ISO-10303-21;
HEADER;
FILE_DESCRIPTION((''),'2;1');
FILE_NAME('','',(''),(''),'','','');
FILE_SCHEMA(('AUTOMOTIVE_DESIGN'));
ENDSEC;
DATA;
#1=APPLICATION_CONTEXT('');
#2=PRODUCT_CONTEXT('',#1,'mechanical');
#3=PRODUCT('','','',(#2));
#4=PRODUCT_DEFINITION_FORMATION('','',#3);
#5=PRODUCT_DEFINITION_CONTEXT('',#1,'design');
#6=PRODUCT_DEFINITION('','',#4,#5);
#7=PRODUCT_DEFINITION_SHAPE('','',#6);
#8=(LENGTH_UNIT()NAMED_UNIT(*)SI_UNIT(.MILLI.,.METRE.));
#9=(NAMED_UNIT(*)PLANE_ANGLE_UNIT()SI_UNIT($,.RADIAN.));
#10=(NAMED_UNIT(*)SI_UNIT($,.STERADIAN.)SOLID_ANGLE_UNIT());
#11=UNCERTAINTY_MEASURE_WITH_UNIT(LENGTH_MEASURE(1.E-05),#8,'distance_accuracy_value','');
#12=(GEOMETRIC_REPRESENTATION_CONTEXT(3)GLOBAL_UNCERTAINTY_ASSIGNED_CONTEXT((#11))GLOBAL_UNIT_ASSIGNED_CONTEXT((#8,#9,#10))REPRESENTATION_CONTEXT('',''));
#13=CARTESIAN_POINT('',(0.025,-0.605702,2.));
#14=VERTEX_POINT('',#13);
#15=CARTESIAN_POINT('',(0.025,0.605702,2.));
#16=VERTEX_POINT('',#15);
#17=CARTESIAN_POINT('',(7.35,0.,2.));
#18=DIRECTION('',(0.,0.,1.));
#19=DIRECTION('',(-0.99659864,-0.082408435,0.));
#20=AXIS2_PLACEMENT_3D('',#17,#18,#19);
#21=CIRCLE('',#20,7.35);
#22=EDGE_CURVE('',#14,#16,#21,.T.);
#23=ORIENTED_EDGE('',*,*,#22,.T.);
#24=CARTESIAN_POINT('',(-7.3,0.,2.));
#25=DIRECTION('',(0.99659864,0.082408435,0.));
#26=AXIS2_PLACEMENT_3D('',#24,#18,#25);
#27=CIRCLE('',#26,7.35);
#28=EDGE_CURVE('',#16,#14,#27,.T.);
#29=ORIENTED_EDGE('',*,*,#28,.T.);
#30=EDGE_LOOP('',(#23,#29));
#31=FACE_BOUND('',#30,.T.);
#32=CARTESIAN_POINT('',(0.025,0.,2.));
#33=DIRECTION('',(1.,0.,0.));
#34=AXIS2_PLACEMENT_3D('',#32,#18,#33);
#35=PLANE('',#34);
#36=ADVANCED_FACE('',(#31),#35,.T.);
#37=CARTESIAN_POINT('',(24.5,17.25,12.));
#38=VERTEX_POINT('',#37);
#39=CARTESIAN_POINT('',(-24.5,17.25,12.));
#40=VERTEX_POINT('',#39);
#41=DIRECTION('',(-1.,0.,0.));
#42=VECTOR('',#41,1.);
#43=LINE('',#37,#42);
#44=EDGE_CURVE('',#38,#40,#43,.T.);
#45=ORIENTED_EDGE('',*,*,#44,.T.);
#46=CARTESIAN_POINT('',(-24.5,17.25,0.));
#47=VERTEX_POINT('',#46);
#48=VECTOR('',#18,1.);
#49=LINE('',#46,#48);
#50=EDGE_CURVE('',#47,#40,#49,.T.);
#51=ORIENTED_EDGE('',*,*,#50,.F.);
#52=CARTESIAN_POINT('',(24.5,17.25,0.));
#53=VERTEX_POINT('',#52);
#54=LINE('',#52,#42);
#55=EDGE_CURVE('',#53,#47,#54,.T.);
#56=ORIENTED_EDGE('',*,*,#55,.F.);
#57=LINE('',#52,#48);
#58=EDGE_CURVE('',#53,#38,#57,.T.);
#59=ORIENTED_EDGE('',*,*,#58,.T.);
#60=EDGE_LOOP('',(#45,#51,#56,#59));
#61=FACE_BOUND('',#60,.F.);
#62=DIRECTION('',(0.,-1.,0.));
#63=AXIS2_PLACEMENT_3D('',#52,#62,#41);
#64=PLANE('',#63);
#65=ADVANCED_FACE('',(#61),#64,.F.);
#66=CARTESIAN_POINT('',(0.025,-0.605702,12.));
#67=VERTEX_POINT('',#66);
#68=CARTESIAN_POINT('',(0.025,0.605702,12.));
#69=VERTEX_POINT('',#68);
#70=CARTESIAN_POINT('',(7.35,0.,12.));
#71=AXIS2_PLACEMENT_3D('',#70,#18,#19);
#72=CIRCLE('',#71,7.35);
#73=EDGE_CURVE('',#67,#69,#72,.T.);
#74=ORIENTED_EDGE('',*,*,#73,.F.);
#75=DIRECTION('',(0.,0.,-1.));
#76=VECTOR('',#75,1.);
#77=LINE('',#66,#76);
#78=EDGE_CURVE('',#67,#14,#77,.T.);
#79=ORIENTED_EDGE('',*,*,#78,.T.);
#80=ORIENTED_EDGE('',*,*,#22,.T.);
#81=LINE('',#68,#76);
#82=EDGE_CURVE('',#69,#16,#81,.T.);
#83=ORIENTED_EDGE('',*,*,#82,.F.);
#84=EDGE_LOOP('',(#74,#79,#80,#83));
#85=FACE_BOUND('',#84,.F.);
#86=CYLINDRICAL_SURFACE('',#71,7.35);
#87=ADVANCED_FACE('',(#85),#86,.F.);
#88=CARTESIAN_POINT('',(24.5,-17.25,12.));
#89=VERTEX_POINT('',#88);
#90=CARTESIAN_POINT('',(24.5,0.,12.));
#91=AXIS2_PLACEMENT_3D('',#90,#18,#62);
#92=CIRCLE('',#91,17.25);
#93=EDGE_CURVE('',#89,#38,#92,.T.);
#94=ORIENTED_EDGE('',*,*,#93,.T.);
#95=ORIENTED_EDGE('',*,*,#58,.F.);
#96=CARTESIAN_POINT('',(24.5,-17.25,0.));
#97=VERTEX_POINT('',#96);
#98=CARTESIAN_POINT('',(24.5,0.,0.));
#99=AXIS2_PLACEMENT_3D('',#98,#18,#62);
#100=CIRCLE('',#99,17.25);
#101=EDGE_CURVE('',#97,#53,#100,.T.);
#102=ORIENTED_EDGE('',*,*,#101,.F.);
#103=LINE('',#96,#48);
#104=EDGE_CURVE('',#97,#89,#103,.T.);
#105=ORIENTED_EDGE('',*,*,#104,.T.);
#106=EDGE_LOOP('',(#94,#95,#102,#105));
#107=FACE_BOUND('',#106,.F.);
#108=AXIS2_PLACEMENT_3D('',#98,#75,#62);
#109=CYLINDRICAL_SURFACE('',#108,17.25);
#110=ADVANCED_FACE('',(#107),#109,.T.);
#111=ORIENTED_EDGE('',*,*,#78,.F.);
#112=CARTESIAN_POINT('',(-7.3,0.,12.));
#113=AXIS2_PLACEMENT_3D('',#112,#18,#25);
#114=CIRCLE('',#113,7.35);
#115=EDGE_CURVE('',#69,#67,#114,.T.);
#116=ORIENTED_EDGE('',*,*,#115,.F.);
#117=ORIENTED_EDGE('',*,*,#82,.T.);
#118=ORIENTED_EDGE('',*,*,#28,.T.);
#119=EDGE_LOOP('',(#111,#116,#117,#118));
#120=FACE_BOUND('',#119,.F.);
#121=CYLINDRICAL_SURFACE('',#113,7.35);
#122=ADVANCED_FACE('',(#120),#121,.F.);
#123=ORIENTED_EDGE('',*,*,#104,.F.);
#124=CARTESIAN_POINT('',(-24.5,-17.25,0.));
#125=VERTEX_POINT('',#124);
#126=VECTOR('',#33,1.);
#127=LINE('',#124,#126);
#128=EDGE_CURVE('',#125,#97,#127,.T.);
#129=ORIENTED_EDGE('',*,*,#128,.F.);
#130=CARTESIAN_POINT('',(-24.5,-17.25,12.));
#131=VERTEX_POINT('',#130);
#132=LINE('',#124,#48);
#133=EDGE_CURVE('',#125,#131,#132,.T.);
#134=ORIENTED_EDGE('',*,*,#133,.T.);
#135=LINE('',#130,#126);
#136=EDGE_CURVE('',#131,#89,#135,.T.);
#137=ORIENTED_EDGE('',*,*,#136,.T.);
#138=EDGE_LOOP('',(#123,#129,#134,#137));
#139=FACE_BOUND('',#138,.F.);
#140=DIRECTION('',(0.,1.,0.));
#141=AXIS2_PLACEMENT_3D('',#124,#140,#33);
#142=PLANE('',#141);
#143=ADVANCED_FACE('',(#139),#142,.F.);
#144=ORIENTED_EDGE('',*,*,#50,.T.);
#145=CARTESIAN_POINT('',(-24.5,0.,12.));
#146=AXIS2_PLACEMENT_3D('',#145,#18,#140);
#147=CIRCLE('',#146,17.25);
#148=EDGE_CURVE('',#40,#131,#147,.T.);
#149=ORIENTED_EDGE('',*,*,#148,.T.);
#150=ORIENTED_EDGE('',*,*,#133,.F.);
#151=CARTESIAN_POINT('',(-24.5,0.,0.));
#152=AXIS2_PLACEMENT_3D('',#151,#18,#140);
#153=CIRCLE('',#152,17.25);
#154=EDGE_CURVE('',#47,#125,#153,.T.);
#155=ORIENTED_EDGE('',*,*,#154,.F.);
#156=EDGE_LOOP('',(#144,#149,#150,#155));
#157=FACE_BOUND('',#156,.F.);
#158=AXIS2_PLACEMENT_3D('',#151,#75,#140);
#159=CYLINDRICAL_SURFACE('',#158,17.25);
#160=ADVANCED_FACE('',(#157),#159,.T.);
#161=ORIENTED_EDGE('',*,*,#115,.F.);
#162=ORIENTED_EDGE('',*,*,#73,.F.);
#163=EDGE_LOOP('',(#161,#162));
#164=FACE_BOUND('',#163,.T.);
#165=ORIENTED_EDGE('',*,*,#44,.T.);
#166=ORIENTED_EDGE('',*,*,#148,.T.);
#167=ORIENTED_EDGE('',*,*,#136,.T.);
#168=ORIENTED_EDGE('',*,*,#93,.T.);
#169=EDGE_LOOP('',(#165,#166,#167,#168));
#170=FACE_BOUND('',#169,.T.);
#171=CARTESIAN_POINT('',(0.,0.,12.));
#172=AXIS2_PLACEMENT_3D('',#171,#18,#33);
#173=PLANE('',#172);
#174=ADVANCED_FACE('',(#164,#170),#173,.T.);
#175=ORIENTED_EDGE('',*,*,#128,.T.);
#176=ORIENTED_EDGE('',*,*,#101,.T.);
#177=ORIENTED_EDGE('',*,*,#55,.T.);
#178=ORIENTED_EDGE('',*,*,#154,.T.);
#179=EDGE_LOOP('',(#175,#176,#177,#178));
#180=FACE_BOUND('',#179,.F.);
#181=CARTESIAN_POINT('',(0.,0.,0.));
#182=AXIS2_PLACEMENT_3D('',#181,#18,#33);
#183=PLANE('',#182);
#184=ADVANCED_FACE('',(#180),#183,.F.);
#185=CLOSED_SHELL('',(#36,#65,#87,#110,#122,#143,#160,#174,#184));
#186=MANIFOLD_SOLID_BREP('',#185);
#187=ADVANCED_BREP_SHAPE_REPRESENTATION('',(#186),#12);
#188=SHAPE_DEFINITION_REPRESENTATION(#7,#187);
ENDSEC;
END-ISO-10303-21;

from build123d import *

# Parameters (mm, degrees)
F1_DEPTH = 12
F3_DEPTH = 10


with BuildPart() as f1:
    # F0 (on Top) → F1 (new body)
    with BuildSketch(Plane.XY):
        with BuildLine():
            Line((24.5, 17.25), (-24.5, 17.25))
            ThreePointArc((-24.5, 17.25), (-41.75, 0), (-24.5, -17.25))
            Line((-24.5, -17.25), (24.5, -17.25))
            ThreePointArc((24.5, -17.25), (41.75, 0), (24.5, 17.25))
        make_face()
    extrude(amount=F1_DEPTH)

    # F2 (on face) → F3 (cut)
    with BuildSketch(Plane.XY.offset(12)):
        with BuildLine():
            ThreePointArc((0.025, -0.605702), (14.7, 0), (0.025, 0.605702))
            ThreePointArc((0.025, 0.605702), (-14.65, 0), (0.025, -0.605702))
        make_face()
    extrude(amount=-F3_DEPTH, mode=Mode.SUBTRACT)


solid = f1.part
